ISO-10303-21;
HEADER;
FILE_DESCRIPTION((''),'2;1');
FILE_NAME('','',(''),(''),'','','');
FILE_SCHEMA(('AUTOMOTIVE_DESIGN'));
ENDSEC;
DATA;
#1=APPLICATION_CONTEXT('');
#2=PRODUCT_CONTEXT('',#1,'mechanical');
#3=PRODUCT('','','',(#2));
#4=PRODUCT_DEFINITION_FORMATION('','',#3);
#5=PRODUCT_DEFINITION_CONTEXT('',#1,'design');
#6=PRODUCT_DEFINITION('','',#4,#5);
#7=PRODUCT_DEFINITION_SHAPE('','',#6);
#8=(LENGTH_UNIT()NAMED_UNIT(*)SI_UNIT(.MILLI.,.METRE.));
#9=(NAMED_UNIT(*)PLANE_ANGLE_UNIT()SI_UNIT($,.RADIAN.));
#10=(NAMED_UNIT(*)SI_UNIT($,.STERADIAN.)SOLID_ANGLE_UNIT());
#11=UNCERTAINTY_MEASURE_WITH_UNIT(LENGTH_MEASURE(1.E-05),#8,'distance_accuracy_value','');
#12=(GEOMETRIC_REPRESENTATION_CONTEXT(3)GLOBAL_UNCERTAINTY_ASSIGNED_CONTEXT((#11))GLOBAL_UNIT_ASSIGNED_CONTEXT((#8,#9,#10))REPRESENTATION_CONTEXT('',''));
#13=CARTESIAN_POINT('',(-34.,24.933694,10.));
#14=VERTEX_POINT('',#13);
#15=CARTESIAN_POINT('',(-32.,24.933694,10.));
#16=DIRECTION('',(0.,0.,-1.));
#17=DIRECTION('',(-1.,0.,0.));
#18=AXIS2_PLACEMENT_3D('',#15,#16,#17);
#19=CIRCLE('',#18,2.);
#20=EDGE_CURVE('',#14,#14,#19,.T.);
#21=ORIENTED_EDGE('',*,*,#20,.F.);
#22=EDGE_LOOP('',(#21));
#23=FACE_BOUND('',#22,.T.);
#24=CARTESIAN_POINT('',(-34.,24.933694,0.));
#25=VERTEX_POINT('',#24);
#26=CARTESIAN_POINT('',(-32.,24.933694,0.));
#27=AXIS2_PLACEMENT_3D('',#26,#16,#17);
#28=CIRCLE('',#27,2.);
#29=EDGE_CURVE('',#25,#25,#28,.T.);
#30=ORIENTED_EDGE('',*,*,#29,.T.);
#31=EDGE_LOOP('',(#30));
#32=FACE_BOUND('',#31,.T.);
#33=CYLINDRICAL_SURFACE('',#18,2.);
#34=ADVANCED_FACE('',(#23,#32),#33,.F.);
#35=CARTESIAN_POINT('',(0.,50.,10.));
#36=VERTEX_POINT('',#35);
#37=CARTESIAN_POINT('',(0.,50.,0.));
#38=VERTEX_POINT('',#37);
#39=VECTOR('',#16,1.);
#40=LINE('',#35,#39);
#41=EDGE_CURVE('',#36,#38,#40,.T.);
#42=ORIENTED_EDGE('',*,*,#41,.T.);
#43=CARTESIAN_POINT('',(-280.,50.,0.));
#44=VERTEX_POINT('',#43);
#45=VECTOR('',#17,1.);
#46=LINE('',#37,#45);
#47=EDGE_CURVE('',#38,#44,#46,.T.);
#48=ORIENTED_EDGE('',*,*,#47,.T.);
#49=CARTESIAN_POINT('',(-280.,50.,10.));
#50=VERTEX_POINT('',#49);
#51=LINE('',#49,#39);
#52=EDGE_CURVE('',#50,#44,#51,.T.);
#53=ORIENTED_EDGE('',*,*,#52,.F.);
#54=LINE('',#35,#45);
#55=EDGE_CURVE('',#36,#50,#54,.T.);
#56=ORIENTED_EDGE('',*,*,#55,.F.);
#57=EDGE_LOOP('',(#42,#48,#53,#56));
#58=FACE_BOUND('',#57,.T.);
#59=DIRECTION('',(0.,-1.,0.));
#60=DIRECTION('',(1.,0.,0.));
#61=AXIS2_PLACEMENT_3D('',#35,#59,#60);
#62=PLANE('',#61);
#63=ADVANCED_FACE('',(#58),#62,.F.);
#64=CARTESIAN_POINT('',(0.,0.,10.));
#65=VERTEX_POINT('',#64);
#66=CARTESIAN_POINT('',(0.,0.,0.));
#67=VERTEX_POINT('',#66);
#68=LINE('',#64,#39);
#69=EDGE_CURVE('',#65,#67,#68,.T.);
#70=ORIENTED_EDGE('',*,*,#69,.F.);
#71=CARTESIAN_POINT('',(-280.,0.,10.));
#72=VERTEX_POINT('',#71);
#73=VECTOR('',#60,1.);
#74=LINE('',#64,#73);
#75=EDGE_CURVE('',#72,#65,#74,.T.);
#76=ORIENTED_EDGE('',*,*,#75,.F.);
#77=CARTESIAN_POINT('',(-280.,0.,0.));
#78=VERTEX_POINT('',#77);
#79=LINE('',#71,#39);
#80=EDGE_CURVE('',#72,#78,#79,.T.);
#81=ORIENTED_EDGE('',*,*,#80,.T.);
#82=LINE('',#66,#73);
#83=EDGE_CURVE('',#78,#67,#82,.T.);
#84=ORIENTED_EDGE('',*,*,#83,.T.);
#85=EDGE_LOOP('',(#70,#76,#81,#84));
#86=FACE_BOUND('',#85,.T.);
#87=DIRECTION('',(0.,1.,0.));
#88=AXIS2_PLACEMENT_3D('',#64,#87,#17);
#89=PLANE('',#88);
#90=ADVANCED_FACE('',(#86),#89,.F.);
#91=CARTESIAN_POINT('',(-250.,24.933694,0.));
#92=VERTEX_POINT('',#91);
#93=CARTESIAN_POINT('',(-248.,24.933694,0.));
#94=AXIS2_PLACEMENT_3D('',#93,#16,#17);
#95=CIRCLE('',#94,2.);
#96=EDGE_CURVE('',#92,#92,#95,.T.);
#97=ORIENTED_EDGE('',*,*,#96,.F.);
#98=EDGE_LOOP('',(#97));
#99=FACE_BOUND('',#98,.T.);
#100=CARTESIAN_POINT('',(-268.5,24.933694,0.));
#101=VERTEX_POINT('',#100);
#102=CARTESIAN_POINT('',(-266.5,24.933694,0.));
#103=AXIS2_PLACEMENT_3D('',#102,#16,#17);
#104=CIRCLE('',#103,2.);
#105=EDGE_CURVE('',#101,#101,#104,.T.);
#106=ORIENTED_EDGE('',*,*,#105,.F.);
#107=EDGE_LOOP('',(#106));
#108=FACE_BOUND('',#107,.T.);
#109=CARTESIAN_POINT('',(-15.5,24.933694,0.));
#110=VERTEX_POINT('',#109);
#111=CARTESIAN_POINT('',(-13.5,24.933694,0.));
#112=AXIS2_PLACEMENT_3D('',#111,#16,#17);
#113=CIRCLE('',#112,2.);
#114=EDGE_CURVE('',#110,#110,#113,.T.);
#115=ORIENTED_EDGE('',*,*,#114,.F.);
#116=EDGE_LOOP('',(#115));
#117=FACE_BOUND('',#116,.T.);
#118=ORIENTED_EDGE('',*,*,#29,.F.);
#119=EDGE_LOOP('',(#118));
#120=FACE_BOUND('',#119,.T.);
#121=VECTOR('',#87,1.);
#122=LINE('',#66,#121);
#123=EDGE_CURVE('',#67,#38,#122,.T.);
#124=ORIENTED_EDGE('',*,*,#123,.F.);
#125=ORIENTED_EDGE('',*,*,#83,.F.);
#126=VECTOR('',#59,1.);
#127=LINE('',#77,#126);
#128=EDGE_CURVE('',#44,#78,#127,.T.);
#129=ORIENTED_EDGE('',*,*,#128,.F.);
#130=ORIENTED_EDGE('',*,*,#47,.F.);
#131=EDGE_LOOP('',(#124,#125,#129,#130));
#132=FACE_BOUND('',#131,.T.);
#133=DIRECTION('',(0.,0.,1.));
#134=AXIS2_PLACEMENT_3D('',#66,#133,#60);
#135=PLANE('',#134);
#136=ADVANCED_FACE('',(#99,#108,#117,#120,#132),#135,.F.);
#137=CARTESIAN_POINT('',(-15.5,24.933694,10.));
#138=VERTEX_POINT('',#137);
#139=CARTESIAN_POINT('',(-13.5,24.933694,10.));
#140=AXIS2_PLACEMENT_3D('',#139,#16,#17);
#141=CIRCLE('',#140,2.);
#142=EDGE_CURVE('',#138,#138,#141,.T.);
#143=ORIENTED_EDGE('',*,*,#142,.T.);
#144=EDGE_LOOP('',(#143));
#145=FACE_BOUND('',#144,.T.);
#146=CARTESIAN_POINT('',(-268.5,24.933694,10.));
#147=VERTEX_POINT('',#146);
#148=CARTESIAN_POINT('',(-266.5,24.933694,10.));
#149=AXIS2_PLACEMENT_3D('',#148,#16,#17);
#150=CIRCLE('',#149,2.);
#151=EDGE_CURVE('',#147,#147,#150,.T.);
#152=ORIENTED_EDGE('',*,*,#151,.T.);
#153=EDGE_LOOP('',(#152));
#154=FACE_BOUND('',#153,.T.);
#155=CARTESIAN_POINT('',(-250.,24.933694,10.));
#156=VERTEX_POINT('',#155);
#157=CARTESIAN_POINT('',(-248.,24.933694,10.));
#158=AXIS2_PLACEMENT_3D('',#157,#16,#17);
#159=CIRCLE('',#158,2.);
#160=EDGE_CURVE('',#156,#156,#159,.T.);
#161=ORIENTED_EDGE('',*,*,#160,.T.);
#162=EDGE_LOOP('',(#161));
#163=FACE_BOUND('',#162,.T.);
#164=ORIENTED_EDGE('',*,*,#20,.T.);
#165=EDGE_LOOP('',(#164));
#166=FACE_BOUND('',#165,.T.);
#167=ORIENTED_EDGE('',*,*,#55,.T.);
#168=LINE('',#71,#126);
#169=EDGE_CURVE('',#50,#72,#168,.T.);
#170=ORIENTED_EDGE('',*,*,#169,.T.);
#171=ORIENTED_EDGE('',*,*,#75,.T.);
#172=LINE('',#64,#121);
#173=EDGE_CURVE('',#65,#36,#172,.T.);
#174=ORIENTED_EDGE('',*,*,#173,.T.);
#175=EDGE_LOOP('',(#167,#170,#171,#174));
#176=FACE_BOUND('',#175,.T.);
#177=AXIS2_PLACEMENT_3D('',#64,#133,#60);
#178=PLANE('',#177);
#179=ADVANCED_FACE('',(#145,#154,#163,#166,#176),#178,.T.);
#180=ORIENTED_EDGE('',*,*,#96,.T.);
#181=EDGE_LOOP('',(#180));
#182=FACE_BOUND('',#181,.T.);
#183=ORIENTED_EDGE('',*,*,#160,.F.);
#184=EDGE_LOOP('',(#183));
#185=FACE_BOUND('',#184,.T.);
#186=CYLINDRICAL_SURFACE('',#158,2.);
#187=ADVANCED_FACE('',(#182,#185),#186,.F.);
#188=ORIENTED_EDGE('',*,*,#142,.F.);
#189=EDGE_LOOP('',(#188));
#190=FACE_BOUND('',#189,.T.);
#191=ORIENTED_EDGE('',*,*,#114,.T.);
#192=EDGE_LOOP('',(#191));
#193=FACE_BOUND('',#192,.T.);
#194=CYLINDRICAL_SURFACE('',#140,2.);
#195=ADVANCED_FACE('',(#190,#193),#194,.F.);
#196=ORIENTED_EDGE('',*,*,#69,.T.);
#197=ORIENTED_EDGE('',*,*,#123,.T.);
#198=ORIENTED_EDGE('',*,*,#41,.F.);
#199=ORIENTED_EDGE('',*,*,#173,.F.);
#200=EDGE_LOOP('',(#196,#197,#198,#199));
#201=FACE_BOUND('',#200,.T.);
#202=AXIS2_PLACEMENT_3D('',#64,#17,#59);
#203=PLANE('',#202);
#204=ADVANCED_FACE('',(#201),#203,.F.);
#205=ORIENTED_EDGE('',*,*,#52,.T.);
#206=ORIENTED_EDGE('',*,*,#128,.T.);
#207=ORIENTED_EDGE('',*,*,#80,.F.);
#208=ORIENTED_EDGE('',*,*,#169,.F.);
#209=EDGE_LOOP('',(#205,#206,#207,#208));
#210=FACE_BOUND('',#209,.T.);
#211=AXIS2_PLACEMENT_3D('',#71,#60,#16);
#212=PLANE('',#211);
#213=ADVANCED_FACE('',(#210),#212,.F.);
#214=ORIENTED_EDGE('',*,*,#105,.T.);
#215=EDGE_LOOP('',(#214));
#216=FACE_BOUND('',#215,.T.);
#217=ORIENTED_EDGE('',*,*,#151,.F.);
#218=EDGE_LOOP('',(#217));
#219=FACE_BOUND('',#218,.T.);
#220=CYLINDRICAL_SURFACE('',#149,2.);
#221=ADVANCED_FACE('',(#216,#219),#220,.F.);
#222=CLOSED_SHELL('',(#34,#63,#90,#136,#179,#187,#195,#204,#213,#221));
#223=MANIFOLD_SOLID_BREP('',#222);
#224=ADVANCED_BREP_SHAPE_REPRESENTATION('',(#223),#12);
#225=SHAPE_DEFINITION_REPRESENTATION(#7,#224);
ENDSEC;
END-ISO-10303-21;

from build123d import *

# Parameters (mm, degrees)
SCHIZZO1_W                   = 280
SCHIZZO1_H                   = 50
ESTRUSIONE_ESTRUSIONE1_DEPTH = 10
SCHIZZO2_R                   = 2
TAGLIO_ESTRUSIONE1_DEPTH     = 10


with BuildPart() as part:
    # Schizzo1 → Estrusione-Estrusione1 (new body)
    with BuildSketch(Plane.XY):
        with Locations((-140, 25)):
            Rectangle(SCHIZZO1_W, SCHIZZO1_H)
    extrude(amount=ESTRUSIONE_ESTRUSIONE1_DEPTH)

    # Schizzo2 → Taglio-Estrusione1 (cut)
    with BuildSketch(Plane(origin=(0, 0, 0), x_dir=(-1, 0, 0), z_dir=(0, 0, -1))):
        with Locations((248, 24.933694222)):
            Circle(SCHIZZO2_R)
        with Locations((266.5, 24.933694222)):
            Circle(SCHIZZO2_R)
        with Locations((13.5, 24.933694222)):
            Circle(SCHIZZO2_R)
        with Locations((32, 24.933694222)):
            Circle(SCHIZZO2_R)
    extrude(amount=-TAGLIO_ESTRUSIONE1_DEPTH, mode=Mode.SUBTRACT)


solid = part.part
